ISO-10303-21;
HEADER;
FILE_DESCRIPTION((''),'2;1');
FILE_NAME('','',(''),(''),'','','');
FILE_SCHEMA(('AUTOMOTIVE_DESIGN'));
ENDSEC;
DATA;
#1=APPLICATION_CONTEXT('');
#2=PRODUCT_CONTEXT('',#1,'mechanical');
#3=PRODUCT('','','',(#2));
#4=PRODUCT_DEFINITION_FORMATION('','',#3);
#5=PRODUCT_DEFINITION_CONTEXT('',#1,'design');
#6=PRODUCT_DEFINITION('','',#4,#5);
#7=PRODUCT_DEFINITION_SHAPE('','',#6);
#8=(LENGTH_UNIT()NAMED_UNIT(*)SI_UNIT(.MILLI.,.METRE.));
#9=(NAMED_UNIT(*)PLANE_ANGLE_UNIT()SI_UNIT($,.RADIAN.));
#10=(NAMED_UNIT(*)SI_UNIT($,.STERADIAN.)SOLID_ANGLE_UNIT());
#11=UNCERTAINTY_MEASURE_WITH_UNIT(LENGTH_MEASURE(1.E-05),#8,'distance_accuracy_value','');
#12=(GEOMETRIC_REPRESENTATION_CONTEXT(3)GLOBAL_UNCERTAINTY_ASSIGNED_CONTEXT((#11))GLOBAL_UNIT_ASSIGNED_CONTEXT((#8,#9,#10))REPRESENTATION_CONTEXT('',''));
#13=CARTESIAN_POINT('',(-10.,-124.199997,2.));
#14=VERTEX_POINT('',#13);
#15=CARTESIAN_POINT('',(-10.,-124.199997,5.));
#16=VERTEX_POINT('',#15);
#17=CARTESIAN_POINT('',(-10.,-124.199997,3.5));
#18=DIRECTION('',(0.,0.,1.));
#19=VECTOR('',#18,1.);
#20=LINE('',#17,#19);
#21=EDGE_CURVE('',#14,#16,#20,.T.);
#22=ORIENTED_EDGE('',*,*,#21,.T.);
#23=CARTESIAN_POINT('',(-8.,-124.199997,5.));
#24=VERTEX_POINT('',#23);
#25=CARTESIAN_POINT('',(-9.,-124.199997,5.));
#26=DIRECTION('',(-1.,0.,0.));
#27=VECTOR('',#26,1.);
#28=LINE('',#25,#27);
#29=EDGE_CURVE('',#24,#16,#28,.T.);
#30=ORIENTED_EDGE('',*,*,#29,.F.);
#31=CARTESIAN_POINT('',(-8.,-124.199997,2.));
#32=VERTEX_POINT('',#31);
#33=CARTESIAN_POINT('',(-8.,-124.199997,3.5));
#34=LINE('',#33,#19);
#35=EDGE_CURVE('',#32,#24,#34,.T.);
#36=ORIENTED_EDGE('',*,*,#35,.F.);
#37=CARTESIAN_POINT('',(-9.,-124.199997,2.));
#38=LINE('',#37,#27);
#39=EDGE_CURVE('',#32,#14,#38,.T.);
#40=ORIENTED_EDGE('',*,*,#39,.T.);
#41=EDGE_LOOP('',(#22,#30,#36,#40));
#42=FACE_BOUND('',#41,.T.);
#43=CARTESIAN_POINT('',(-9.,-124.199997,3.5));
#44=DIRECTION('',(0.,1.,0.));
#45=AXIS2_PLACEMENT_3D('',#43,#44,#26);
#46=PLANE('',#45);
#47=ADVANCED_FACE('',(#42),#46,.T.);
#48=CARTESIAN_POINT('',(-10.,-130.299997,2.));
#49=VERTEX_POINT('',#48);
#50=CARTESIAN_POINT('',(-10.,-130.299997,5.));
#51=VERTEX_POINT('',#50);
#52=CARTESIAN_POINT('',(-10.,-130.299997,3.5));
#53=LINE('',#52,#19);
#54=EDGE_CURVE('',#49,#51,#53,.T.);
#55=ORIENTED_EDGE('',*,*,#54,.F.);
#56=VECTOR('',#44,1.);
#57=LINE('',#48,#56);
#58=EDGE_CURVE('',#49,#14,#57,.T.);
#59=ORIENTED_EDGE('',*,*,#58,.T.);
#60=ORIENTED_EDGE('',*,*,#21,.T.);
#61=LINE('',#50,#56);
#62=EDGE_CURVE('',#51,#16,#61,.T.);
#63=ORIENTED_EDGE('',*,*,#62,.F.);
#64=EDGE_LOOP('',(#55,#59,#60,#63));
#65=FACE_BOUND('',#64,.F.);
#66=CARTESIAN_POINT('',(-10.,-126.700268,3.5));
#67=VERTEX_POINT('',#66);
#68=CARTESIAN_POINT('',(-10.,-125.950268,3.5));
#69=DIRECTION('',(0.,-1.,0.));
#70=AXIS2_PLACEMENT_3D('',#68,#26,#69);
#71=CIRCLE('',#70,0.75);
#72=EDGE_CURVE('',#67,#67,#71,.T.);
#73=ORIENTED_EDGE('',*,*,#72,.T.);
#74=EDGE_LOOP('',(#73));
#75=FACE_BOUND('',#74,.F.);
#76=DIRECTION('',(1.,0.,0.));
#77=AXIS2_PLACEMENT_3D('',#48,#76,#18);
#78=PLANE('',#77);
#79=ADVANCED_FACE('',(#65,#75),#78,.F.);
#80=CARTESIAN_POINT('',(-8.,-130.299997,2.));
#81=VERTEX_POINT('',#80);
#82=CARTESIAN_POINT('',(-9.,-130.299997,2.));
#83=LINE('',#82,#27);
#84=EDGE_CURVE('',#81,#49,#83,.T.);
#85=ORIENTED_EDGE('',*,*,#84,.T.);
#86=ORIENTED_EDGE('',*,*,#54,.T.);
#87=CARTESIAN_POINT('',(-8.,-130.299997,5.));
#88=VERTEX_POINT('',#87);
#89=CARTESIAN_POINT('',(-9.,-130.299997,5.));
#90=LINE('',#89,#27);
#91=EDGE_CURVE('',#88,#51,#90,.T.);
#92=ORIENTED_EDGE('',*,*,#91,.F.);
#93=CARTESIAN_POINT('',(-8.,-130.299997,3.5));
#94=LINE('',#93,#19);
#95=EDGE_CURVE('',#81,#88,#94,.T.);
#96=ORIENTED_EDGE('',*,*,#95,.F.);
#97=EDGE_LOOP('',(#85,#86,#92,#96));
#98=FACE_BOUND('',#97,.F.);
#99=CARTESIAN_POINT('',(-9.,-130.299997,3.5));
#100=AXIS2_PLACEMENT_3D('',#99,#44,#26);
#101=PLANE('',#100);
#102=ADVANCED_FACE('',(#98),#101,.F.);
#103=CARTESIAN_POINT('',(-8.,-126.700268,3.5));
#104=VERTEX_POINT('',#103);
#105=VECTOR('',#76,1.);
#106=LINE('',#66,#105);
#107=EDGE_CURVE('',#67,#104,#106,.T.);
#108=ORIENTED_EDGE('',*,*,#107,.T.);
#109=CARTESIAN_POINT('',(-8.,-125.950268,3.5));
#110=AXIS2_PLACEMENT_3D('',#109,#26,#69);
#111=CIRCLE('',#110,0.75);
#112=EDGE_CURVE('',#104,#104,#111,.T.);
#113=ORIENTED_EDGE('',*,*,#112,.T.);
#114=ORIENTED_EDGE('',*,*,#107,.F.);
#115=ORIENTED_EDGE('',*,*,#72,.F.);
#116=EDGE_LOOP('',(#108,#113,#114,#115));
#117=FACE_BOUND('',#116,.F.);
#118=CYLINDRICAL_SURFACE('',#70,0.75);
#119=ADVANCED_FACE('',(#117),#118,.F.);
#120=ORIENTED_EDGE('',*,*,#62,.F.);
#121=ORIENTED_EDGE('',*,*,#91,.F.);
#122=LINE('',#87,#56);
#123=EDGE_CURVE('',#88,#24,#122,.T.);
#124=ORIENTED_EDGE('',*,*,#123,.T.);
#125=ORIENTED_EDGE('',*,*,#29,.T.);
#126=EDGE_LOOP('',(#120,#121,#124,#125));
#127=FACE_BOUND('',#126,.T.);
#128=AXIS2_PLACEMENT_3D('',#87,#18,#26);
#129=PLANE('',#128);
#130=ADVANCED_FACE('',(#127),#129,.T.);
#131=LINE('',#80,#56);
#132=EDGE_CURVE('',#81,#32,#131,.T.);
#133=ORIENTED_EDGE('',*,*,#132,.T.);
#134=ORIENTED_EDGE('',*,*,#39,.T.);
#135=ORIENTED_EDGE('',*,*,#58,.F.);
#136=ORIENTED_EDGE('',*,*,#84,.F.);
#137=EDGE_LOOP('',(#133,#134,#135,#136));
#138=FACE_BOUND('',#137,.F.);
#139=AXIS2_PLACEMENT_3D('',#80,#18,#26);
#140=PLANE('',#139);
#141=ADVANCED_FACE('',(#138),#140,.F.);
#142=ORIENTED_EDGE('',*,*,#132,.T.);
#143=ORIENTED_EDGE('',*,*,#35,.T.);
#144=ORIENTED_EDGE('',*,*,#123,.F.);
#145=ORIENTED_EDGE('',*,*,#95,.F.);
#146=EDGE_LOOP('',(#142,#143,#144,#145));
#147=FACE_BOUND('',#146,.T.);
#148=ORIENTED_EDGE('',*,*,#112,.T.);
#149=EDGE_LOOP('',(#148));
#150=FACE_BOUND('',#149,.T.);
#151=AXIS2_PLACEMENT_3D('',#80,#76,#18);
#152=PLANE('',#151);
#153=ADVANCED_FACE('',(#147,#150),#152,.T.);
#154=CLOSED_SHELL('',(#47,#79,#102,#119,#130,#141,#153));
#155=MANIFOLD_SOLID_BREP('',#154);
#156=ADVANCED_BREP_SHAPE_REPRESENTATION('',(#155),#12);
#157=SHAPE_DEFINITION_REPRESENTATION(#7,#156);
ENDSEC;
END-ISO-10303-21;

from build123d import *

# Parameters (mm, degrees)
SKETCH126_W      = 2
SKETCH126_H      = 3
EXTRUDE048_DEPTH = 6.1
SKETCH128_R      = 0.75
HOLE027_DEPTH    = 2
HOLE027_TIPS_R   = 0.75


with BuildPart() as part:
    # Sketch126 (on Face7 of Extrude043) → Extrude048 (new body)
    with BuildSketch(Plane(origin=(0, -130.299997, 0), x_dir=(-1, 0, 0), z_dir=(0, 1, 0))):
        with Locations((9, 3.5)):
            Rectangle(SKETCH126_W, SKETCH126_H)
    extrude(amount=EXTRUDE048_DEPTH)

    # Sketch128 (on Face4 of Extrude048) → Hole027 (cut)
    with BuildSketch(Plane(origin=(-10, 0, 0), x_dir=(0, -1, 0), z_dir=(-1, 0, 0))):
        with Locations((125.950268, 3.5)):
            Circle(SKETCH128_R)
    extrude(amount=-HOLE027_DEPTH, mode=Mode.SUBTRACT)

    # Hole027 tips → Hole027 tip 1 section 0
    with BuildSketch(Plane(origin=(-8, 0, 0), x_dir=(0, -1, 0), z_dir=(-1, 0, 0)), mode=Mode.PRIVATE) as hole027_tip_1_s0:
        with Locations((125.950268, 3.5)):
            Circle(HOLE027_TIPS_R)
    loft([hole027_tip_1_s0.sketch, Vertex(-7.549355, -125.950268, 3.5)], mode=Mode.SUBTRACT)


solid = part.part
